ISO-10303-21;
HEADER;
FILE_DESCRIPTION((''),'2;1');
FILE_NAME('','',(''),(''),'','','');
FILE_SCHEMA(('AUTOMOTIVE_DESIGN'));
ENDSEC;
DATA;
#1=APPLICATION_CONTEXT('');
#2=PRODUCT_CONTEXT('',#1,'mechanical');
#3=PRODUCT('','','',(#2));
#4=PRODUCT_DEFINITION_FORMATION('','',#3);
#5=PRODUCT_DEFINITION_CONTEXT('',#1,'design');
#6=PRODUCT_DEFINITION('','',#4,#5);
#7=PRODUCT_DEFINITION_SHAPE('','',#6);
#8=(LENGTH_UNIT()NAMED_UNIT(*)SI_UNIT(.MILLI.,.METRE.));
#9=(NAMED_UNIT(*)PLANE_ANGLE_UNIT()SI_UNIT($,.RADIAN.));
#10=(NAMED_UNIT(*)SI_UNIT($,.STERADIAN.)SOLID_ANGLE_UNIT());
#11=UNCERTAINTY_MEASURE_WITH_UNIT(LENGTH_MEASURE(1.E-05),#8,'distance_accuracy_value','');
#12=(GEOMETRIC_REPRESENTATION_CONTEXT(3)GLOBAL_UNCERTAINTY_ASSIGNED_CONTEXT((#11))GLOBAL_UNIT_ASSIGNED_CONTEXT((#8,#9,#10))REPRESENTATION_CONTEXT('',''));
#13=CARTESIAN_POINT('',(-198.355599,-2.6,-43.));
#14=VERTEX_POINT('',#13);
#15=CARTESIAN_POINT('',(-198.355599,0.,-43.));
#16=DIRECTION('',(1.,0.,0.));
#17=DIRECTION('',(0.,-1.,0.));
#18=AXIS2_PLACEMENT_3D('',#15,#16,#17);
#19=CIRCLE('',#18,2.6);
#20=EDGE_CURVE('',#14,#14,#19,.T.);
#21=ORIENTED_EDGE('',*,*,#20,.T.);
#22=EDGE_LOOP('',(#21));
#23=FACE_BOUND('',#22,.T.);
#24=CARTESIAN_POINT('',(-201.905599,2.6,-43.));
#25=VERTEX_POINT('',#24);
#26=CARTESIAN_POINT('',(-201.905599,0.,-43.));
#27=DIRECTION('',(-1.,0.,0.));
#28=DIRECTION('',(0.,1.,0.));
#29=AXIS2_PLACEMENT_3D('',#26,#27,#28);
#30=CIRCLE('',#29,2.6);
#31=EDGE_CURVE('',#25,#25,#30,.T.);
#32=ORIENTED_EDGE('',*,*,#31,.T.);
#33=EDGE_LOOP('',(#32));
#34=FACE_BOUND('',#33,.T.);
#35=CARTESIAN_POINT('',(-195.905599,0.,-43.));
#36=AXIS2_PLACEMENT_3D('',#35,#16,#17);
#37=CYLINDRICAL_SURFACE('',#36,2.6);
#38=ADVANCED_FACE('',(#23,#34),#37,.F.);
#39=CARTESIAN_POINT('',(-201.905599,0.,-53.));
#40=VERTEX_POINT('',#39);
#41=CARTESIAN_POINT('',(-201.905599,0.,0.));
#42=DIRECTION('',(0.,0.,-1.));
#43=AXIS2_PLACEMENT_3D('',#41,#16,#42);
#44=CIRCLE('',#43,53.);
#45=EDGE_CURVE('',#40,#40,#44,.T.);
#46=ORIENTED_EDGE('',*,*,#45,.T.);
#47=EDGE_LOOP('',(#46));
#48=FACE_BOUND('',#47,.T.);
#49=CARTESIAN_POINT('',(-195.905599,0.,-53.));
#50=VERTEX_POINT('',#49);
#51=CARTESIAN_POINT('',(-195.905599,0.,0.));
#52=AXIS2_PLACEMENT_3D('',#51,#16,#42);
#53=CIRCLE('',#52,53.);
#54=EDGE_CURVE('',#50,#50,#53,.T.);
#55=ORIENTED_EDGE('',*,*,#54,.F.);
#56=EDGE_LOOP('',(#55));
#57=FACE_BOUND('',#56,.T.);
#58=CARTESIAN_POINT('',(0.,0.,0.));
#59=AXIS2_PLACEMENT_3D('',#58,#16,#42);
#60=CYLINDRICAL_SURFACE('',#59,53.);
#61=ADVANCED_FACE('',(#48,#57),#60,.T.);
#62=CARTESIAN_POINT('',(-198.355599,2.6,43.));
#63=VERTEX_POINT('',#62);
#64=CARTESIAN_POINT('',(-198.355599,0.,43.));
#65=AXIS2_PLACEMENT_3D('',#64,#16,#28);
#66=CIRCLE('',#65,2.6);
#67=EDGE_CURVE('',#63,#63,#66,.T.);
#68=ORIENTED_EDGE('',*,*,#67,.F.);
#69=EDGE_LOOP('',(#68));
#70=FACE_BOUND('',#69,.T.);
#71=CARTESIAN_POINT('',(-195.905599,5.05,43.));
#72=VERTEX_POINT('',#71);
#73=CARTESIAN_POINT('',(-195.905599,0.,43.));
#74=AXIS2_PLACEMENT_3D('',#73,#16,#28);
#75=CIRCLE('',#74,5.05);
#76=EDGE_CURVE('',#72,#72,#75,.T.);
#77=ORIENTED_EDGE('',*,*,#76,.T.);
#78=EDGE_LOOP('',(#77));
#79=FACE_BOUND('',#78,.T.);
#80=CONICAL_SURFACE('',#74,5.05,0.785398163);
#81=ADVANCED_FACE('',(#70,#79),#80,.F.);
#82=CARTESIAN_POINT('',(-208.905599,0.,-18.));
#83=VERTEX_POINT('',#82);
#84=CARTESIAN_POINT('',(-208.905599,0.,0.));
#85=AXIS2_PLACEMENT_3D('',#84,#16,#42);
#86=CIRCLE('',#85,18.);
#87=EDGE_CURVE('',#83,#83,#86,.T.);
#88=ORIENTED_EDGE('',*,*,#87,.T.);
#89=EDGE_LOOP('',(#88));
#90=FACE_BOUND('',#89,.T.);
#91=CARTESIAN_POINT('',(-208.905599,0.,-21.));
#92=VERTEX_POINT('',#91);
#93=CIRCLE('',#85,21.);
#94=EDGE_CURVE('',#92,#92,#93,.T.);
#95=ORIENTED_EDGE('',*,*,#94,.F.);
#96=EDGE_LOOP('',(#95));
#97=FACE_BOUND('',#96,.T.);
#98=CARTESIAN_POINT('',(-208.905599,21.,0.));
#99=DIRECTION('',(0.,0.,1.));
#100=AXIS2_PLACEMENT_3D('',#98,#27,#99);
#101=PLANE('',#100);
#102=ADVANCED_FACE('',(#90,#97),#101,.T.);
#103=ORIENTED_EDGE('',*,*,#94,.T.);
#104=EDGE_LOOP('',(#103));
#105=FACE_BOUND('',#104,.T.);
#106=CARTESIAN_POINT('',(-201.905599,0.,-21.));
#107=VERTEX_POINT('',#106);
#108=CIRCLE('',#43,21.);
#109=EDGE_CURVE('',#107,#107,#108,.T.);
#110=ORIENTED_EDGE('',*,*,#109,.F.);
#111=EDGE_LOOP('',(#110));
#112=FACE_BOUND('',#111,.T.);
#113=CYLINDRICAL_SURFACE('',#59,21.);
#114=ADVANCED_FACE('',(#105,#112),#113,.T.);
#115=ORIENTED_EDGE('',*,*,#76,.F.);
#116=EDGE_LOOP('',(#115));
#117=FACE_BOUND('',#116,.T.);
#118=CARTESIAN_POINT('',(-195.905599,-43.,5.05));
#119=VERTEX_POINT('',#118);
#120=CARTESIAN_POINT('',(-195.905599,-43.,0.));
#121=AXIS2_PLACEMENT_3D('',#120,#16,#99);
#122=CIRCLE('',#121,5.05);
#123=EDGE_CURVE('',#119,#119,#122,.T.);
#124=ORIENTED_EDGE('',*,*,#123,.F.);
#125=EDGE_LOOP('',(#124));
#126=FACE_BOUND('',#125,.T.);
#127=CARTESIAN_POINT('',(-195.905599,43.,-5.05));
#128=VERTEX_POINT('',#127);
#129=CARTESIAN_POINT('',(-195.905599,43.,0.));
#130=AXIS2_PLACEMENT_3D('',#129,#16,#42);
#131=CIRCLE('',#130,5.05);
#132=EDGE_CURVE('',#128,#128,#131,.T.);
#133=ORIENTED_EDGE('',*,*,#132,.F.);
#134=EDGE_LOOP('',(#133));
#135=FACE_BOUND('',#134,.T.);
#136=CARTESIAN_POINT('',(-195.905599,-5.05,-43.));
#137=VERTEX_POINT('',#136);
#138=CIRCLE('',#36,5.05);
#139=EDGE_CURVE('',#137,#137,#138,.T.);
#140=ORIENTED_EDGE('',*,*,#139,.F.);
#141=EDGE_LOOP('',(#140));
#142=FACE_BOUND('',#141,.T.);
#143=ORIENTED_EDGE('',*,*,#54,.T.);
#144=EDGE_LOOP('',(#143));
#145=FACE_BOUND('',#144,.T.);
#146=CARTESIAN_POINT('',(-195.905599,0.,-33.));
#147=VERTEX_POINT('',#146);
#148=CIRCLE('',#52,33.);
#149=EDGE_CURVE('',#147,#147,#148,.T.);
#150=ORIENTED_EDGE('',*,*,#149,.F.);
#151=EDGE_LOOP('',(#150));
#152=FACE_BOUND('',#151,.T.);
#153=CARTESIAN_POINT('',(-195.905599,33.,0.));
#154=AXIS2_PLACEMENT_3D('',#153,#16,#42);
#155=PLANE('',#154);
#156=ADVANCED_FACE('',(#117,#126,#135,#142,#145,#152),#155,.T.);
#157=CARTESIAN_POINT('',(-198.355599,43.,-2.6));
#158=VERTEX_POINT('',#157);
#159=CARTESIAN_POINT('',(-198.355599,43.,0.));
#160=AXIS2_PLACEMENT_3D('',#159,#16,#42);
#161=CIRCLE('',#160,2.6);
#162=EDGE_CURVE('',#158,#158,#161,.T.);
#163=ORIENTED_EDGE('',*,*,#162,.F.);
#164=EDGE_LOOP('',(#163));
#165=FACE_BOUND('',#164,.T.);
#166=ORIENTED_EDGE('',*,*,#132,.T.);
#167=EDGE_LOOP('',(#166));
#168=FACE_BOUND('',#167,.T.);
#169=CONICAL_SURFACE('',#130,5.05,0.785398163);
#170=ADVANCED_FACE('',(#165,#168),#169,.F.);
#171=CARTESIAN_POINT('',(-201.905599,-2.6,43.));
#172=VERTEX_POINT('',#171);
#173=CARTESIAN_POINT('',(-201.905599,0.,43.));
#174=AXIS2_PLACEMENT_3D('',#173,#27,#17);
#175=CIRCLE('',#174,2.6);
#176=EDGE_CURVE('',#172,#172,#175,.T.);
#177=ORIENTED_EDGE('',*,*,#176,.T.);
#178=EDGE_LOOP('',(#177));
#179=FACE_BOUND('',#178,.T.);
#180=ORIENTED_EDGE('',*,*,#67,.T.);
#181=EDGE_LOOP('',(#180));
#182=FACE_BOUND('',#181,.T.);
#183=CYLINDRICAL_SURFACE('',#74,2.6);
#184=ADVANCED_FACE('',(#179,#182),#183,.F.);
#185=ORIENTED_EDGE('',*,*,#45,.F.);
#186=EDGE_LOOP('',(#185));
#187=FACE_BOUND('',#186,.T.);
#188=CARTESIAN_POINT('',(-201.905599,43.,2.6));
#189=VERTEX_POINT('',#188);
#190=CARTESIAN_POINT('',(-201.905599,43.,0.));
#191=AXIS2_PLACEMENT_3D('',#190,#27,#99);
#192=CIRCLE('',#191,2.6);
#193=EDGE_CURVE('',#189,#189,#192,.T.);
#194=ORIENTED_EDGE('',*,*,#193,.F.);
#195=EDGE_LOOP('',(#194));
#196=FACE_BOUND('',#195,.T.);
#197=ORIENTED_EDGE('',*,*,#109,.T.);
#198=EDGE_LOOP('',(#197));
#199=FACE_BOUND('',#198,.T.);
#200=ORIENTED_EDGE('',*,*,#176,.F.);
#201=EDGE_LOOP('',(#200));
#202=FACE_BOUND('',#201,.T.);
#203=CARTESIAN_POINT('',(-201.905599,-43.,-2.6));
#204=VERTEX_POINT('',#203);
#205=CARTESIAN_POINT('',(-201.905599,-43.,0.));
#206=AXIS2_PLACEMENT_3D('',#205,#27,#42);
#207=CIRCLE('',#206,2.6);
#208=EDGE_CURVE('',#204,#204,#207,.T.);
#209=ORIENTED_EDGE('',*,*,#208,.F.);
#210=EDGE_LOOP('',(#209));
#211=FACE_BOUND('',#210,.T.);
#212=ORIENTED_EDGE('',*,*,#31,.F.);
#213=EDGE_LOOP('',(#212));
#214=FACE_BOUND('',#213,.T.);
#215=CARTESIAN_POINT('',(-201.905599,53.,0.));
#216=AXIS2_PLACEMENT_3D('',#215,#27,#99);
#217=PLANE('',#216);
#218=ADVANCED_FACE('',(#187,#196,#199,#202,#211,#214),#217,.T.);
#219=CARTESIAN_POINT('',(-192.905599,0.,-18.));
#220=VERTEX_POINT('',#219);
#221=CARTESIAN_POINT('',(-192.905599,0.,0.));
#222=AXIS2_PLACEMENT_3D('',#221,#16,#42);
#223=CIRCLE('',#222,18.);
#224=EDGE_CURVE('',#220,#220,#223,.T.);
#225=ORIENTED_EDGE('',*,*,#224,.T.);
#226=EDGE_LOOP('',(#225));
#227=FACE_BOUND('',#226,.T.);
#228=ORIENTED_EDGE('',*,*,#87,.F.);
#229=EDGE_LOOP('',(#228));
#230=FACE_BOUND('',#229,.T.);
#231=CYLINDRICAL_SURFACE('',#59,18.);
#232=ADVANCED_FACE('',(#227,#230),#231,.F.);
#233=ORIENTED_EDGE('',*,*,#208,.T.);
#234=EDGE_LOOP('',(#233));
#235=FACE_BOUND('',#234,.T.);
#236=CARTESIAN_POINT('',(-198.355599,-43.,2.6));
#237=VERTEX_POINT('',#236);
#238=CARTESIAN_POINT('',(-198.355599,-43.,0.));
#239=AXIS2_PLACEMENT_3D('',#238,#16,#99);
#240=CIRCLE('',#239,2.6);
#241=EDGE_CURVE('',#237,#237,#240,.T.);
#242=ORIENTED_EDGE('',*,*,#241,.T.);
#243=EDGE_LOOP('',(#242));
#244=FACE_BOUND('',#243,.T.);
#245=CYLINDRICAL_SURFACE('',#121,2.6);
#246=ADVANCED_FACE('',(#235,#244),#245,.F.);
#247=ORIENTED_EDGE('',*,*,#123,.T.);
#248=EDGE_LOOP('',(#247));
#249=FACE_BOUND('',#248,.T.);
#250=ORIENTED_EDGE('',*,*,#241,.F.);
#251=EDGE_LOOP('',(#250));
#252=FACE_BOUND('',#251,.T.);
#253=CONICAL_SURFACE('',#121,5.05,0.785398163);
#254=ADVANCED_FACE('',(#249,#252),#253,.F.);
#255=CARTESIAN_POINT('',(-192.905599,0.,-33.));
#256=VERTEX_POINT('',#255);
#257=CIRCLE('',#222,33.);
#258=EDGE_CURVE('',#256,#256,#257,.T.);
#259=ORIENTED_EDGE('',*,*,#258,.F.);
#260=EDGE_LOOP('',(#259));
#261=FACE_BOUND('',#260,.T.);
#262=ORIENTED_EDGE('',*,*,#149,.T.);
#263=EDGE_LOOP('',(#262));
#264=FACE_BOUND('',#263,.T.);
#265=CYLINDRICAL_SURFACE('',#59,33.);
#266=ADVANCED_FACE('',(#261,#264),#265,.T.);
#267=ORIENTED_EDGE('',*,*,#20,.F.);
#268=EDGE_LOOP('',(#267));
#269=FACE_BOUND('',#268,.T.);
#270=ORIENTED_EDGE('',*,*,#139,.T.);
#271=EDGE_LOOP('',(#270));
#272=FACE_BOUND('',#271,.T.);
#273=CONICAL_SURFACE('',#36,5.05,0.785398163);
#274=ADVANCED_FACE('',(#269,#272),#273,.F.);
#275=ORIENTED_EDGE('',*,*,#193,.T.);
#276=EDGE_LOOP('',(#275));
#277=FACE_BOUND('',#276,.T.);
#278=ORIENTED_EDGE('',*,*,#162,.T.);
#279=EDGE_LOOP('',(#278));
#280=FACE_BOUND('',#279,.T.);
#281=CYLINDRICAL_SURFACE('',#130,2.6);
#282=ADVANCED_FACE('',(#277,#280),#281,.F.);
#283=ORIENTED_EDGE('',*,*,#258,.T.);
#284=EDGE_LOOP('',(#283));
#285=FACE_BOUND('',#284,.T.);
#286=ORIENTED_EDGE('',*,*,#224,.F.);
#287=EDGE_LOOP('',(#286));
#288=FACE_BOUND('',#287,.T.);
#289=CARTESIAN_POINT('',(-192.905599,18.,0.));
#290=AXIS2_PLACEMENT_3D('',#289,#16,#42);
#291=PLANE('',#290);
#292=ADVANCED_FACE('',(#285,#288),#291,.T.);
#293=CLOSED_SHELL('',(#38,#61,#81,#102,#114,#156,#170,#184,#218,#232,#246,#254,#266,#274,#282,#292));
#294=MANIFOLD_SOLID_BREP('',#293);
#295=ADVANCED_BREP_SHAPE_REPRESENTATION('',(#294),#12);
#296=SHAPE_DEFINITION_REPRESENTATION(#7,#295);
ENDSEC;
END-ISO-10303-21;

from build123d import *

# Parameters (mm, degrees)
CSK_FOR_M5_COUNTERSUNK_FLAT_HEAD_SCREW1_D           = 5.2
CSK_FOR_M5_COUNTERSUNK_FLAT_HEAD_SCREW1_CSINK_D     = 10.1
CSK_FOR_M5_COUNTERSUNK_FLAT_HEAD_SCREW1_CSINK_ANGLE = 90
CIRPATTERN1_COUNT                                   = 4


with BuildPart() as part:
    # Sketch2 → Revolve1 (revolve)
    with BuildSketch(Plane.XY, mode=Mode.PRIVATE) as revolve1_sk:
        Polygon((-192.905599099, 33), (-195.905599099, 33), (-195.905599099, 53), (-201.905599099, 53), (-201.905599099, 21), (-208.905599099, 21), (-208.905599099, 18), (-192.905599099, 18), align=None)
    revolve(revolve1_sk.sketch.rotate(Axis((0, 0, 0), (-1, 0, 0)), 90), axis=Axis((0, 0, 0), (-1, 0, 0)))

    # CSK for M5 Countersunk Flat Head Screw1 (through all)
    with Locations(Plane(origin=(-195.905599099, 0, 0), x_dir=(0, 0, -1), z_dir=(1, 0, 0))):
        with Locations((0, 43)):
            csk_for_m5_countersunk_flat_head_screw1 = CounterSinkHole(CSK_FOR_M5_COUNTERSUNK_FLAT_HEAD_SCREW1_D / 2, CSK_FOR_M5_COUNTERSUNK_FLAT_HEAD_SCREW1_CSINK_D / 2, counter_sink_angle=CSK_FOR_M5_COUNTERSUNK_FLAT_HEAD_SCREW1_CSINK_ANGLE)

    # CirPattern1: CSK for M5 Countersunk Flat Head Screw1 ×4 about axis
    cirpattern1_axis = Axis((0, 0, 0), (1, 0, 0))
    for i in range(1, CIRPATTERN1_COUNT):
        add(csk_for_m5_countersunk_flat_head_screw1.rotate(cirpattern1_axis, i * 360 / CIRPATTERN1_COUNT), mode=Mode.SUBTRACT)


solid = part.part
